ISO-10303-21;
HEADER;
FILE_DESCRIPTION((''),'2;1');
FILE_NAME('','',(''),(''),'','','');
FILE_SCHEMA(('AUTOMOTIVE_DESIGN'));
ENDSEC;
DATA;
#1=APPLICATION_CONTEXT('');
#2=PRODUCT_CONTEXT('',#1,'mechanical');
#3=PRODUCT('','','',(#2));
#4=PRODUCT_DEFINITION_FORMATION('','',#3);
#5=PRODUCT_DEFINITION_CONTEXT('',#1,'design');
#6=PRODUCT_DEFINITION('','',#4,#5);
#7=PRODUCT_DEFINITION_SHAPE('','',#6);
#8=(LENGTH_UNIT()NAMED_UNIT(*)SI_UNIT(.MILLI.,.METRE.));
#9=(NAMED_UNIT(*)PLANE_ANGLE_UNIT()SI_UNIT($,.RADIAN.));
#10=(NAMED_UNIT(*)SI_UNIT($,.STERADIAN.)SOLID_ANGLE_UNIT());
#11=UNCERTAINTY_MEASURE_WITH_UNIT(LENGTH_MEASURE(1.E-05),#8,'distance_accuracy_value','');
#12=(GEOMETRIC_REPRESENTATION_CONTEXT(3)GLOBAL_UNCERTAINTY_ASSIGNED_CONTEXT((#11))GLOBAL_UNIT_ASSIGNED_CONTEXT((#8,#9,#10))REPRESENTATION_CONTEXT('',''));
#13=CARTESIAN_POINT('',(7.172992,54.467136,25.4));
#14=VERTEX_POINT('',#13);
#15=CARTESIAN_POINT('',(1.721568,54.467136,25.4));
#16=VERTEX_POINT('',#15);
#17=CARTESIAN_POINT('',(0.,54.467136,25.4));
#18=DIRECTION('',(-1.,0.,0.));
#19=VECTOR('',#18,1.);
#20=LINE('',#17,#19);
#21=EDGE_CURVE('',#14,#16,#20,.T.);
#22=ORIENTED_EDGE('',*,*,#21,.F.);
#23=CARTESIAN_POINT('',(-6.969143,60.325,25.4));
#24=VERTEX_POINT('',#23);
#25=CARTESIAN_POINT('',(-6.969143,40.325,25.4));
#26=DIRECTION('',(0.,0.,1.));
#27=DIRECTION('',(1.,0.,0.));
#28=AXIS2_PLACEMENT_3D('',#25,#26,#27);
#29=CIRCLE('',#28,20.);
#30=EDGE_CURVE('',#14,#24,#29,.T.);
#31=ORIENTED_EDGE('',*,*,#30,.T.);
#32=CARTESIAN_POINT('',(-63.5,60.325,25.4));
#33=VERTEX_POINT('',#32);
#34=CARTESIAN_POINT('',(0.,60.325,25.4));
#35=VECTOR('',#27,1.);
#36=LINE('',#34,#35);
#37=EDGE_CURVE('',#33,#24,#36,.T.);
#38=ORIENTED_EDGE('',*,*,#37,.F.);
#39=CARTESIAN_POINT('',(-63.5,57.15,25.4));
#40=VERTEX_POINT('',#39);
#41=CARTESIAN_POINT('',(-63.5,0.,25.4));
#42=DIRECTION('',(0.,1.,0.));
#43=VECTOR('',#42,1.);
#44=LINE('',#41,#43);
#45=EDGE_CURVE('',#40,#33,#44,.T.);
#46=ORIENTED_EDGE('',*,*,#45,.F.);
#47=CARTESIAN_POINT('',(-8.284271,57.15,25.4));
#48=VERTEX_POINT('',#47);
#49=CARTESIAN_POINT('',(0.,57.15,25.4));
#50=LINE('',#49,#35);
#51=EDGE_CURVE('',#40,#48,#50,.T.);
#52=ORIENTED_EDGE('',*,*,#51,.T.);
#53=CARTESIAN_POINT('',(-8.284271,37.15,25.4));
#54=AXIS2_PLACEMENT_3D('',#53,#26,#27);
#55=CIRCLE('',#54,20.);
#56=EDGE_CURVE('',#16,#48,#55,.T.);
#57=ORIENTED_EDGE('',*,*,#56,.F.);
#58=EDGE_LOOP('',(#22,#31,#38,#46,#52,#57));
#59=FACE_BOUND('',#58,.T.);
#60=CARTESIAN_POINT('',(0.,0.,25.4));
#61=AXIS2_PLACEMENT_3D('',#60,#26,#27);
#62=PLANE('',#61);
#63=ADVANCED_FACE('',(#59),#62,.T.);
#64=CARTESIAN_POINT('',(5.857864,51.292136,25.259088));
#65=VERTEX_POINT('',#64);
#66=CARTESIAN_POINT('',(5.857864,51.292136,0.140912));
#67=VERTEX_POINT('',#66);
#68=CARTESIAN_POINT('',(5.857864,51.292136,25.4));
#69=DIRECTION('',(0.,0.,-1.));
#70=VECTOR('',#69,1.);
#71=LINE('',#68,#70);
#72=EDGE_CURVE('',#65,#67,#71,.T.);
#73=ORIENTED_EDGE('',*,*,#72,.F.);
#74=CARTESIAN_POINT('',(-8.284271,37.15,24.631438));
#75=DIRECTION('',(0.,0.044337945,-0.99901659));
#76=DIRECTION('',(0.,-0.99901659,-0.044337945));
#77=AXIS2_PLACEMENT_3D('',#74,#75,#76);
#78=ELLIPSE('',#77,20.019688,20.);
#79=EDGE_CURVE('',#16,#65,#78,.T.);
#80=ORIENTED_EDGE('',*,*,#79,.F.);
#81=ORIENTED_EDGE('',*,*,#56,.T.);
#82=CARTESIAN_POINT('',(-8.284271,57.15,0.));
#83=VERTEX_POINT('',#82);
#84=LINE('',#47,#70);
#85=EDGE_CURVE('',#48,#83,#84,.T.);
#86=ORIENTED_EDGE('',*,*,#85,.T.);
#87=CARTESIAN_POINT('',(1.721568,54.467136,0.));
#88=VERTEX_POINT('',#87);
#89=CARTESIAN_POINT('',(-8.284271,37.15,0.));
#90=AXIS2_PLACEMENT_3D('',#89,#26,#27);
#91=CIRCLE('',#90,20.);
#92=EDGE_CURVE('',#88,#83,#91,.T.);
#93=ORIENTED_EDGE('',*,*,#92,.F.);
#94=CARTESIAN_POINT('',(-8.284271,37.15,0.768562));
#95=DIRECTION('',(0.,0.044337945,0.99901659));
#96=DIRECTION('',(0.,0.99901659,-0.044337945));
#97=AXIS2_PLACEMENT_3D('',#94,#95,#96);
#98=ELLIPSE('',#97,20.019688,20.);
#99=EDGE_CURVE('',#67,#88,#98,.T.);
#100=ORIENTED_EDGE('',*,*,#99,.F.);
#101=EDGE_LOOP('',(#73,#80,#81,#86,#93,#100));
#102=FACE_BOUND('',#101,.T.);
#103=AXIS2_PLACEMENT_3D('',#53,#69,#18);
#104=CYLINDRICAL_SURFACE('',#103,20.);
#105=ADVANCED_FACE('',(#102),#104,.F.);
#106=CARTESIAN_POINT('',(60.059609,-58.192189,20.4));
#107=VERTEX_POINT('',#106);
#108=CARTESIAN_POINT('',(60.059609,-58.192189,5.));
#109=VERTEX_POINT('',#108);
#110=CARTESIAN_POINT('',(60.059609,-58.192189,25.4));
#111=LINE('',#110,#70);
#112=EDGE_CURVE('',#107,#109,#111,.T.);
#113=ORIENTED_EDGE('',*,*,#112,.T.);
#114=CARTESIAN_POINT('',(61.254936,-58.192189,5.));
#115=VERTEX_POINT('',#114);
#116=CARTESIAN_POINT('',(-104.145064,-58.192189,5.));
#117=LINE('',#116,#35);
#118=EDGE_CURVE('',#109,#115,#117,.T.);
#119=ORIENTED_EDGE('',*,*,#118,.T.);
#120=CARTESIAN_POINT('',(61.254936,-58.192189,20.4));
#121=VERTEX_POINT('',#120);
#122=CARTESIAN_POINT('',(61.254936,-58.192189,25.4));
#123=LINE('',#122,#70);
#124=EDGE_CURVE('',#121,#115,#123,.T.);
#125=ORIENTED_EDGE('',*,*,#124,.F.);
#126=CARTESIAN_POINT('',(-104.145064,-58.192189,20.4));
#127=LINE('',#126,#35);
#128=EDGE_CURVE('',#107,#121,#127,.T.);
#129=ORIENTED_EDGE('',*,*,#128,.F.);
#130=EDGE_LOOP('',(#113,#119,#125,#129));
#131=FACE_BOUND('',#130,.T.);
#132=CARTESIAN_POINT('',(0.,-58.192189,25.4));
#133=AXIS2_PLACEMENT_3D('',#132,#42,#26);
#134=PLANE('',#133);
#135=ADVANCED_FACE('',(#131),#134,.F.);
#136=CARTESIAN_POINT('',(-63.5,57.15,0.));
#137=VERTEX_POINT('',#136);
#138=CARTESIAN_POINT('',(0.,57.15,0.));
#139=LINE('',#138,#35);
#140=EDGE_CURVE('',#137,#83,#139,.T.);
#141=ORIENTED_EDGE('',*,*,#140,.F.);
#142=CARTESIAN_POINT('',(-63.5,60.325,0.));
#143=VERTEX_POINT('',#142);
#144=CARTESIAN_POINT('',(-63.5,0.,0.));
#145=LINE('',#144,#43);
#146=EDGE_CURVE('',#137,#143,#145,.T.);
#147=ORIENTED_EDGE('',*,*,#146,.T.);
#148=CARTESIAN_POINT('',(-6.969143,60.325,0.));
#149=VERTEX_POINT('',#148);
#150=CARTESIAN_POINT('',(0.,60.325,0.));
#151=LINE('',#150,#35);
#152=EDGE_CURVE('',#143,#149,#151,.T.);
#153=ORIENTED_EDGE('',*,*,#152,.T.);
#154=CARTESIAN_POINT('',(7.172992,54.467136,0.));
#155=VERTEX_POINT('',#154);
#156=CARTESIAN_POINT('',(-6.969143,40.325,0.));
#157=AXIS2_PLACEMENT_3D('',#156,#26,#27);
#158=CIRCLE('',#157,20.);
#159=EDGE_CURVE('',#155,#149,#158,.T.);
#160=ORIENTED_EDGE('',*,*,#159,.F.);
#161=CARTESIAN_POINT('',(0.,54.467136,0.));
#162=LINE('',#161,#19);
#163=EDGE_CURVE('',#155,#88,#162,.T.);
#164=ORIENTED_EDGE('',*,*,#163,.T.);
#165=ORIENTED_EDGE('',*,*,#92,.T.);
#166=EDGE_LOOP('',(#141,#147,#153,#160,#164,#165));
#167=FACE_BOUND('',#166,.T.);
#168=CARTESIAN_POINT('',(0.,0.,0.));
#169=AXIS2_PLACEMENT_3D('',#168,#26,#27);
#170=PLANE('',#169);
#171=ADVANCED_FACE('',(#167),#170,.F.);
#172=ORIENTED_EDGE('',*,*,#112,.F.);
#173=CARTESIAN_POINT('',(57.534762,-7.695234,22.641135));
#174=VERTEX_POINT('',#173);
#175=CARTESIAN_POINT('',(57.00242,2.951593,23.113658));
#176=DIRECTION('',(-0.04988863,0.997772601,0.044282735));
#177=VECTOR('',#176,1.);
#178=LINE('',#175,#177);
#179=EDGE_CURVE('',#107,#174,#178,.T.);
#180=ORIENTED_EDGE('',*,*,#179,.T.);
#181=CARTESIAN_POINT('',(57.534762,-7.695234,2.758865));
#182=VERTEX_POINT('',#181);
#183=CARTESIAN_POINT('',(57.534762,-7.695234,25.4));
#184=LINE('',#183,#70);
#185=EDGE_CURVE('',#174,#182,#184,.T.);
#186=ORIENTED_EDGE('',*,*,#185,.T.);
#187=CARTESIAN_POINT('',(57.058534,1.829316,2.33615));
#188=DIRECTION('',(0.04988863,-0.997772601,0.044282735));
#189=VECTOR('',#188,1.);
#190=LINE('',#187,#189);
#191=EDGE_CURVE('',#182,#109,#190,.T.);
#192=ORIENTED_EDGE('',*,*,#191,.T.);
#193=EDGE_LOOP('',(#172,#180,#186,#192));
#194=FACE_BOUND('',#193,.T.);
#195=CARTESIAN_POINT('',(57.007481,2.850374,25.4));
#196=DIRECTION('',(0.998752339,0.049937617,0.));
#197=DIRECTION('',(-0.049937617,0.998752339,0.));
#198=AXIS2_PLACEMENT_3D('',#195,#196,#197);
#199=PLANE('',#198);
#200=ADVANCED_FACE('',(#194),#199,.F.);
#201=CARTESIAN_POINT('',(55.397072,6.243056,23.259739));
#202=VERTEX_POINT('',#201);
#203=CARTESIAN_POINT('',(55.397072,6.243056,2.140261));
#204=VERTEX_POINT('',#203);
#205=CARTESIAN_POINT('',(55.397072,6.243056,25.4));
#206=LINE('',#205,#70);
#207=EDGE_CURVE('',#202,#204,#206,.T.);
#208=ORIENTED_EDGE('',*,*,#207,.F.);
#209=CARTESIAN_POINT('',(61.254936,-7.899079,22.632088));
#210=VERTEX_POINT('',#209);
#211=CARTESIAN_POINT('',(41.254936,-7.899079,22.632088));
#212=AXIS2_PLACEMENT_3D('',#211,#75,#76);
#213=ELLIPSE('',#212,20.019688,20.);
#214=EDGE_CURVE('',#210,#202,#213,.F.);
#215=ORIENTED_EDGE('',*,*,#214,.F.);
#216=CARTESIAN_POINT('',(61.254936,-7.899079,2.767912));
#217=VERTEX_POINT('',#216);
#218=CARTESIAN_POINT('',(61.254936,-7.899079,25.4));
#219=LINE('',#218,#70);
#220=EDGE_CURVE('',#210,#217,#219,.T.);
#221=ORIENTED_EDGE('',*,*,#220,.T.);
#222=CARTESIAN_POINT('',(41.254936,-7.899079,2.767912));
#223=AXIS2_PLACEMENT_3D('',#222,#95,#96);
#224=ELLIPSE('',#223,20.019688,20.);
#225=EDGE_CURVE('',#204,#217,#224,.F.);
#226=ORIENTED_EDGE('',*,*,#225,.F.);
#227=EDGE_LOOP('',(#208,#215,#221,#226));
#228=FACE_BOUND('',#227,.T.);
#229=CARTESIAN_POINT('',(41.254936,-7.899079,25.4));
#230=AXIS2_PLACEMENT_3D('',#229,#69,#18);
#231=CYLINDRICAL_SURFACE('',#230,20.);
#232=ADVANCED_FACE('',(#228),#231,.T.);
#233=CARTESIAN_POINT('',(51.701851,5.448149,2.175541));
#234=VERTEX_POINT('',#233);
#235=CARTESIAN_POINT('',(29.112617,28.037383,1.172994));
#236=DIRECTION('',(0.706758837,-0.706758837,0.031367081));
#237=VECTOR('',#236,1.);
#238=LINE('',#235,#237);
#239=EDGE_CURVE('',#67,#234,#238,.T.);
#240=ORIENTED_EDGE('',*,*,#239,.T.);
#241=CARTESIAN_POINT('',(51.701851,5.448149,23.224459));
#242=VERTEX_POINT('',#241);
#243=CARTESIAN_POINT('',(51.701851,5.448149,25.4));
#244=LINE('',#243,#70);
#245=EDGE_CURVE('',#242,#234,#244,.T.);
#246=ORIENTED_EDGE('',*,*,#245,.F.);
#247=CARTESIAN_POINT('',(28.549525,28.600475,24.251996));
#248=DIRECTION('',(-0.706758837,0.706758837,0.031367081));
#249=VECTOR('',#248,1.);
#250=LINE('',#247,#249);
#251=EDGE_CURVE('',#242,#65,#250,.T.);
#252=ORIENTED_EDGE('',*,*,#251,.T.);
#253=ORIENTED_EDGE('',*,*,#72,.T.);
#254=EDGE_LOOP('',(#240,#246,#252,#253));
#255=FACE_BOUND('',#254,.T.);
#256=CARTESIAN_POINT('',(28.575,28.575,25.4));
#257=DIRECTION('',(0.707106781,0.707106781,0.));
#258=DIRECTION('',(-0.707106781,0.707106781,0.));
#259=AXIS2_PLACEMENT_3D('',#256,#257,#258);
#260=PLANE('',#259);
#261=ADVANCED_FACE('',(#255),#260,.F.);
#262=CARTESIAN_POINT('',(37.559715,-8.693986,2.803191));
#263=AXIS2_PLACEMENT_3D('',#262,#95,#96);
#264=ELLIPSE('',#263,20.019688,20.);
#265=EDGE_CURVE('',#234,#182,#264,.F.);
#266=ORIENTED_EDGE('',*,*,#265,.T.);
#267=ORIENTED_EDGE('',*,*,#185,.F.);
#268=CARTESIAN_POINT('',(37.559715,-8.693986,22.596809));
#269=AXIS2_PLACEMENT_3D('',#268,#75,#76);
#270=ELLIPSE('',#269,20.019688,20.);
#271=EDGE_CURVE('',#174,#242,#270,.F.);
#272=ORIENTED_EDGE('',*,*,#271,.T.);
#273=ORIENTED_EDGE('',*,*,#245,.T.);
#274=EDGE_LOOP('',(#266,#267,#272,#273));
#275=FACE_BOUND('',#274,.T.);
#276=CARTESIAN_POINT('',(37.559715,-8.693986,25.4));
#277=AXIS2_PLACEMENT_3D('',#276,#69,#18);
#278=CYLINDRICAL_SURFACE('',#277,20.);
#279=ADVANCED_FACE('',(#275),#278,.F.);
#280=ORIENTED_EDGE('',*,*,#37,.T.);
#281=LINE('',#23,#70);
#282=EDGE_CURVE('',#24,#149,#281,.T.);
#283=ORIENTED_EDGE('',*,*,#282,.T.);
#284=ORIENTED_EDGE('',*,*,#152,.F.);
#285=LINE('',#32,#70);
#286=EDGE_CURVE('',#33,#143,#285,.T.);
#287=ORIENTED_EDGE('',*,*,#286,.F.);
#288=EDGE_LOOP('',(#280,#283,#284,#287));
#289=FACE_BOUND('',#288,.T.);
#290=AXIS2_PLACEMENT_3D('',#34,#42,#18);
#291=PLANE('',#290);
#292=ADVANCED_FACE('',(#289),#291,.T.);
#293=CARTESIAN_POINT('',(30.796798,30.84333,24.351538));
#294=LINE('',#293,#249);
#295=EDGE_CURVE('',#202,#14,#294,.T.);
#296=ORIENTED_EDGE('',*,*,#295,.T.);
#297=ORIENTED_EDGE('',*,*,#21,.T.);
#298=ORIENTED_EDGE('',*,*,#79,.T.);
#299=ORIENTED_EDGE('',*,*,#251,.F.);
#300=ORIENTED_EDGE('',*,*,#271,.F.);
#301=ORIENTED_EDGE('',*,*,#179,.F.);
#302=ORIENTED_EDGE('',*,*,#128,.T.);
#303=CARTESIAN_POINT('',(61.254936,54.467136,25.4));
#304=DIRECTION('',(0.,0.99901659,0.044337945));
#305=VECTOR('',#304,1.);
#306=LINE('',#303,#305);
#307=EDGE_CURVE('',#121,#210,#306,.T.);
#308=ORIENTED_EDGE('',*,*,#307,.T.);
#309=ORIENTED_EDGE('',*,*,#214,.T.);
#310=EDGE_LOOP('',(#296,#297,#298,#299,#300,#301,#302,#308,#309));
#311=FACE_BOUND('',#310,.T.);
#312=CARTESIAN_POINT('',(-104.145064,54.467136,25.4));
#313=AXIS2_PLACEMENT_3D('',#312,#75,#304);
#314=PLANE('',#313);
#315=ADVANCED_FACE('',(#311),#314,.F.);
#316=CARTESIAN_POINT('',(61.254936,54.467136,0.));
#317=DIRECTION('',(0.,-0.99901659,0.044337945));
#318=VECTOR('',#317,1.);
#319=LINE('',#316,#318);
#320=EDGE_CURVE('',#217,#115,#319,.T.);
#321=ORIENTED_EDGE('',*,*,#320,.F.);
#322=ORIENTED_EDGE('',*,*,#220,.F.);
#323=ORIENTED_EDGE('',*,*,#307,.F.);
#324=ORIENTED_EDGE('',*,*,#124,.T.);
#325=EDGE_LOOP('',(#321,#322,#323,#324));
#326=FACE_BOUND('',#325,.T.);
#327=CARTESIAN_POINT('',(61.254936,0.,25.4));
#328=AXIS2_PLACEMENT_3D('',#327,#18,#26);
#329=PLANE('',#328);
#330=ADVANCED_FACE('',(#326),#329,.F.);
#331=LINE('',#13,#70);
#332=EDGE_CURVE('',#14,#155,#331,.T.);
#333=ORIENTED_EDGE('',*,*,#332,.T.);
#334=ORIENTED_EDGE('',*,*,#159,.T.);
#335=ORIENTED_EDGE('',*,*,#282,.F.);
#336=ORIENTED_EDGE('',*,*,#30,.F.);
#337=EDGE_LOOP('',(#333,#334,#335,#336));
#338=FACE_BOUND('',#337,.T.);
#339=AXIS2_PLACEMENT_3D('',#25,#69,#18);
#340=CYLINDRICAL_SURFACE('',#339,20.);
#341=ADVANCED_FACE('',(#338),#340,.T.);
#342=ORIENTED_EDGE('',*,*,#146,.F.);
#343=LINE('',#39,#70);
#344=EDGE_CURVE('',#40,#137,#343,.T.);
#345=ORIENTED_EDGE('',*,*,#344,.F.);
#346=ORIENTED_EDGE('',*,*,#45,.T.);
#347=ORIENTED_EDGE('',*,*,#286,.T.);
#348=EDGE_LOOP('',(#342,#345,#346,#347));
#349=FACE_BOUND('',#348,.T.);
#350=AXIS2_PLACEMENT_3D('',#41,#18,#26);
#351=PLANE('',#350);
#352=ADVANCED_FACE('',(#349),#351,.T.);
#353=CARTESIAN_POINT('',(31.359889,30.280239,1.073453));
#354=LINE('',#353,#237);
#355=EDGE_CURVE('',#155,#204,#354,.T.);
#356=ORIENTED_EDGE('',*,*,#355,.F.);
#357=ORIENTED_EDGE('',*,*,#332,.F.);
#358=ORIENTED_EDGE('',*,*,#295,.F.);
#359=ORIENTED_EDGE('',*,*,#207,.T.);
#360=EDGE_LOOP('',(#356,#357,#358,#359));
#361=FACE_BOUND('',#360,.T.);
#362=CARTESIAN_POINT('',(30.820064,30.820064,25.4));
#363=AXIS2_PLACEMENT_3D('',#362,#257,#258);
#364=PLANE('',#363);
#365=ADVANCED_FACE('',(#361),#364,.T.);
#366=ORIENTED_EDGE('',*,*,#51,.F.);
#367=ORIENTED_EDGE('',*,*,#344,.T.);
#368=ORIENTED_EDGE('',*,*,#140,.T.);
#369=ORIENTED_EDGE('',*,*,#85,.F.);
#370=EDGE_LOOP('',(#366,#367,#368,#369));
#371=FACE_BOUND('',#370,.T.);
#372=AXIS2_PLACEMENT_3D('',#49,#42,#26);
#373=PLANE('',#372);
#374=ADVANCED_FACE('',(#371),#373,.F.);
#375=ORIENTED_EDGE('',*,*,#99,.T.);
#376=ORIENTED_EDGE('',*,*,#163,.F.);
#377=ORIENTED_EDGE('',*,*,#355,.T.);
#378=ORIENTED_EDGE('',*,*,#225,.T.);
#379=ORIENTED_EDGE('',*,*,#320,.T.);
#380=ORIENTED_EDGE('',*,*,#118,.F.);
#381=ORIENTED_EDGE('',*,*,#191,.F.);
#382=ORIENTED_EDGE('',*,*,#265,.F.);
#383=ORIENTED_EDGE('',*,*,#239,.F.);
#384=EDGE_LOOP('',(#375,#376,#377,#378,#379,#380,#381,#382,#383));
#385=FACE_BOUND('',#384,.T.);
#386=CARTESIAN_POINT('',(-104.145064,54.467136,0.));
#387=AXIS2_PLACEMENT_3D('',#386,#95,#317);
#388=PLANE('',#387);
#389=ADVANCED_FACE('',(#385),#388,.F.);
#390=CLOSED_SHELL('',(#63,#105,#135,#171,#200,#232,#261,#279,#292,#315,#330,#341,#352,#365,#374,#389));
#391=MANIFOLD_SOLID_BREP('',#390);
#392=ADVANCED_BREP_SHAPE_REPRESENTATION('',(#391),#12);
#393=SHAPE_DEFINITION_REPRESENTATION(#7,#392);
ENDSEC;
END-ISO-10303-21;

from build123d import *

# Parameters (mm, degrees)
BOSS_EXTRUDE1_DEPTH = 25.4
CUT_EXTRUDE1_DEPTH  = 165.4


with BuildPart() as part:
    # Sketch1 → Boss-Extrude1 (new body)
    with BuildSketch(Plane.XY):
        with BuildLine():
            ThreePointArc((5.857864376, 51.292135624), (-0.6306026, 55.62759065), (-8.284271247, 57.15))
            Line((-8.284271247, 57.15), (-63.5, 57.15))
            Line((-63.5, 57.15), (-63.5, 60.325))
            Line((-63.5, 60.325), (-6.969143187, 60.325))
            ThreePointArc((-6.969143187, 60.325), (0.68452546, 58.80259065), (7.172992437, 54.467135624))
            Line((7.172992437, 54.467135624), (6.735192091, 54.90493597))
            Line((6.735192091, 54.90493597), (54.90493597, 6.735192091))
            Line((54.90493597, 6.735192091), (55.397071593, 6.243056467))
            ThreePointArc((55.397071593, 6.243056467), (59.73252662, -0.245410509), (61.25493597, -7.899079157))
            Line((61.25493597, -7.899079157), (61.25493597, -58.192189171))
            Line((61.25493597, -58.192189171), (60.059609459, -58.192189171))
            Line((60.059609459, -58.192189171), (57.534761691, -7.695233822))
            ThreePointArc((57.534761691, -7.695233822), (55.840378599, -0.581197787), (51.701850537, 5.448149463))
            Line((51.701850537, 5.448149463), (5.857864376, 51.292135624))
        make_face()
    extrude(amount=BOSS_EXTRUDE1_DEPTH)

    # Sketch2 → Cut-Extrude1 (cut)
    with BuildSketch(Plane(origin=(61.25493597, 0, 0), x_dir=(0, 0, -1), z_dir=(1, 0, 0))):
        Polygon((-25.4, 54.467135624), (-20.4, -58.192189171), (-53.926173028, -59.680134048), align=None)
        Polygon((0, 54.467135624), (-5, -58.192189171), (16.325141492, -58.192189171), align=None)
    extrude(amount=-CUT_EXTRUDE1_DEPTH, mode=Mode.SUBTRACT)


solid = part.part
